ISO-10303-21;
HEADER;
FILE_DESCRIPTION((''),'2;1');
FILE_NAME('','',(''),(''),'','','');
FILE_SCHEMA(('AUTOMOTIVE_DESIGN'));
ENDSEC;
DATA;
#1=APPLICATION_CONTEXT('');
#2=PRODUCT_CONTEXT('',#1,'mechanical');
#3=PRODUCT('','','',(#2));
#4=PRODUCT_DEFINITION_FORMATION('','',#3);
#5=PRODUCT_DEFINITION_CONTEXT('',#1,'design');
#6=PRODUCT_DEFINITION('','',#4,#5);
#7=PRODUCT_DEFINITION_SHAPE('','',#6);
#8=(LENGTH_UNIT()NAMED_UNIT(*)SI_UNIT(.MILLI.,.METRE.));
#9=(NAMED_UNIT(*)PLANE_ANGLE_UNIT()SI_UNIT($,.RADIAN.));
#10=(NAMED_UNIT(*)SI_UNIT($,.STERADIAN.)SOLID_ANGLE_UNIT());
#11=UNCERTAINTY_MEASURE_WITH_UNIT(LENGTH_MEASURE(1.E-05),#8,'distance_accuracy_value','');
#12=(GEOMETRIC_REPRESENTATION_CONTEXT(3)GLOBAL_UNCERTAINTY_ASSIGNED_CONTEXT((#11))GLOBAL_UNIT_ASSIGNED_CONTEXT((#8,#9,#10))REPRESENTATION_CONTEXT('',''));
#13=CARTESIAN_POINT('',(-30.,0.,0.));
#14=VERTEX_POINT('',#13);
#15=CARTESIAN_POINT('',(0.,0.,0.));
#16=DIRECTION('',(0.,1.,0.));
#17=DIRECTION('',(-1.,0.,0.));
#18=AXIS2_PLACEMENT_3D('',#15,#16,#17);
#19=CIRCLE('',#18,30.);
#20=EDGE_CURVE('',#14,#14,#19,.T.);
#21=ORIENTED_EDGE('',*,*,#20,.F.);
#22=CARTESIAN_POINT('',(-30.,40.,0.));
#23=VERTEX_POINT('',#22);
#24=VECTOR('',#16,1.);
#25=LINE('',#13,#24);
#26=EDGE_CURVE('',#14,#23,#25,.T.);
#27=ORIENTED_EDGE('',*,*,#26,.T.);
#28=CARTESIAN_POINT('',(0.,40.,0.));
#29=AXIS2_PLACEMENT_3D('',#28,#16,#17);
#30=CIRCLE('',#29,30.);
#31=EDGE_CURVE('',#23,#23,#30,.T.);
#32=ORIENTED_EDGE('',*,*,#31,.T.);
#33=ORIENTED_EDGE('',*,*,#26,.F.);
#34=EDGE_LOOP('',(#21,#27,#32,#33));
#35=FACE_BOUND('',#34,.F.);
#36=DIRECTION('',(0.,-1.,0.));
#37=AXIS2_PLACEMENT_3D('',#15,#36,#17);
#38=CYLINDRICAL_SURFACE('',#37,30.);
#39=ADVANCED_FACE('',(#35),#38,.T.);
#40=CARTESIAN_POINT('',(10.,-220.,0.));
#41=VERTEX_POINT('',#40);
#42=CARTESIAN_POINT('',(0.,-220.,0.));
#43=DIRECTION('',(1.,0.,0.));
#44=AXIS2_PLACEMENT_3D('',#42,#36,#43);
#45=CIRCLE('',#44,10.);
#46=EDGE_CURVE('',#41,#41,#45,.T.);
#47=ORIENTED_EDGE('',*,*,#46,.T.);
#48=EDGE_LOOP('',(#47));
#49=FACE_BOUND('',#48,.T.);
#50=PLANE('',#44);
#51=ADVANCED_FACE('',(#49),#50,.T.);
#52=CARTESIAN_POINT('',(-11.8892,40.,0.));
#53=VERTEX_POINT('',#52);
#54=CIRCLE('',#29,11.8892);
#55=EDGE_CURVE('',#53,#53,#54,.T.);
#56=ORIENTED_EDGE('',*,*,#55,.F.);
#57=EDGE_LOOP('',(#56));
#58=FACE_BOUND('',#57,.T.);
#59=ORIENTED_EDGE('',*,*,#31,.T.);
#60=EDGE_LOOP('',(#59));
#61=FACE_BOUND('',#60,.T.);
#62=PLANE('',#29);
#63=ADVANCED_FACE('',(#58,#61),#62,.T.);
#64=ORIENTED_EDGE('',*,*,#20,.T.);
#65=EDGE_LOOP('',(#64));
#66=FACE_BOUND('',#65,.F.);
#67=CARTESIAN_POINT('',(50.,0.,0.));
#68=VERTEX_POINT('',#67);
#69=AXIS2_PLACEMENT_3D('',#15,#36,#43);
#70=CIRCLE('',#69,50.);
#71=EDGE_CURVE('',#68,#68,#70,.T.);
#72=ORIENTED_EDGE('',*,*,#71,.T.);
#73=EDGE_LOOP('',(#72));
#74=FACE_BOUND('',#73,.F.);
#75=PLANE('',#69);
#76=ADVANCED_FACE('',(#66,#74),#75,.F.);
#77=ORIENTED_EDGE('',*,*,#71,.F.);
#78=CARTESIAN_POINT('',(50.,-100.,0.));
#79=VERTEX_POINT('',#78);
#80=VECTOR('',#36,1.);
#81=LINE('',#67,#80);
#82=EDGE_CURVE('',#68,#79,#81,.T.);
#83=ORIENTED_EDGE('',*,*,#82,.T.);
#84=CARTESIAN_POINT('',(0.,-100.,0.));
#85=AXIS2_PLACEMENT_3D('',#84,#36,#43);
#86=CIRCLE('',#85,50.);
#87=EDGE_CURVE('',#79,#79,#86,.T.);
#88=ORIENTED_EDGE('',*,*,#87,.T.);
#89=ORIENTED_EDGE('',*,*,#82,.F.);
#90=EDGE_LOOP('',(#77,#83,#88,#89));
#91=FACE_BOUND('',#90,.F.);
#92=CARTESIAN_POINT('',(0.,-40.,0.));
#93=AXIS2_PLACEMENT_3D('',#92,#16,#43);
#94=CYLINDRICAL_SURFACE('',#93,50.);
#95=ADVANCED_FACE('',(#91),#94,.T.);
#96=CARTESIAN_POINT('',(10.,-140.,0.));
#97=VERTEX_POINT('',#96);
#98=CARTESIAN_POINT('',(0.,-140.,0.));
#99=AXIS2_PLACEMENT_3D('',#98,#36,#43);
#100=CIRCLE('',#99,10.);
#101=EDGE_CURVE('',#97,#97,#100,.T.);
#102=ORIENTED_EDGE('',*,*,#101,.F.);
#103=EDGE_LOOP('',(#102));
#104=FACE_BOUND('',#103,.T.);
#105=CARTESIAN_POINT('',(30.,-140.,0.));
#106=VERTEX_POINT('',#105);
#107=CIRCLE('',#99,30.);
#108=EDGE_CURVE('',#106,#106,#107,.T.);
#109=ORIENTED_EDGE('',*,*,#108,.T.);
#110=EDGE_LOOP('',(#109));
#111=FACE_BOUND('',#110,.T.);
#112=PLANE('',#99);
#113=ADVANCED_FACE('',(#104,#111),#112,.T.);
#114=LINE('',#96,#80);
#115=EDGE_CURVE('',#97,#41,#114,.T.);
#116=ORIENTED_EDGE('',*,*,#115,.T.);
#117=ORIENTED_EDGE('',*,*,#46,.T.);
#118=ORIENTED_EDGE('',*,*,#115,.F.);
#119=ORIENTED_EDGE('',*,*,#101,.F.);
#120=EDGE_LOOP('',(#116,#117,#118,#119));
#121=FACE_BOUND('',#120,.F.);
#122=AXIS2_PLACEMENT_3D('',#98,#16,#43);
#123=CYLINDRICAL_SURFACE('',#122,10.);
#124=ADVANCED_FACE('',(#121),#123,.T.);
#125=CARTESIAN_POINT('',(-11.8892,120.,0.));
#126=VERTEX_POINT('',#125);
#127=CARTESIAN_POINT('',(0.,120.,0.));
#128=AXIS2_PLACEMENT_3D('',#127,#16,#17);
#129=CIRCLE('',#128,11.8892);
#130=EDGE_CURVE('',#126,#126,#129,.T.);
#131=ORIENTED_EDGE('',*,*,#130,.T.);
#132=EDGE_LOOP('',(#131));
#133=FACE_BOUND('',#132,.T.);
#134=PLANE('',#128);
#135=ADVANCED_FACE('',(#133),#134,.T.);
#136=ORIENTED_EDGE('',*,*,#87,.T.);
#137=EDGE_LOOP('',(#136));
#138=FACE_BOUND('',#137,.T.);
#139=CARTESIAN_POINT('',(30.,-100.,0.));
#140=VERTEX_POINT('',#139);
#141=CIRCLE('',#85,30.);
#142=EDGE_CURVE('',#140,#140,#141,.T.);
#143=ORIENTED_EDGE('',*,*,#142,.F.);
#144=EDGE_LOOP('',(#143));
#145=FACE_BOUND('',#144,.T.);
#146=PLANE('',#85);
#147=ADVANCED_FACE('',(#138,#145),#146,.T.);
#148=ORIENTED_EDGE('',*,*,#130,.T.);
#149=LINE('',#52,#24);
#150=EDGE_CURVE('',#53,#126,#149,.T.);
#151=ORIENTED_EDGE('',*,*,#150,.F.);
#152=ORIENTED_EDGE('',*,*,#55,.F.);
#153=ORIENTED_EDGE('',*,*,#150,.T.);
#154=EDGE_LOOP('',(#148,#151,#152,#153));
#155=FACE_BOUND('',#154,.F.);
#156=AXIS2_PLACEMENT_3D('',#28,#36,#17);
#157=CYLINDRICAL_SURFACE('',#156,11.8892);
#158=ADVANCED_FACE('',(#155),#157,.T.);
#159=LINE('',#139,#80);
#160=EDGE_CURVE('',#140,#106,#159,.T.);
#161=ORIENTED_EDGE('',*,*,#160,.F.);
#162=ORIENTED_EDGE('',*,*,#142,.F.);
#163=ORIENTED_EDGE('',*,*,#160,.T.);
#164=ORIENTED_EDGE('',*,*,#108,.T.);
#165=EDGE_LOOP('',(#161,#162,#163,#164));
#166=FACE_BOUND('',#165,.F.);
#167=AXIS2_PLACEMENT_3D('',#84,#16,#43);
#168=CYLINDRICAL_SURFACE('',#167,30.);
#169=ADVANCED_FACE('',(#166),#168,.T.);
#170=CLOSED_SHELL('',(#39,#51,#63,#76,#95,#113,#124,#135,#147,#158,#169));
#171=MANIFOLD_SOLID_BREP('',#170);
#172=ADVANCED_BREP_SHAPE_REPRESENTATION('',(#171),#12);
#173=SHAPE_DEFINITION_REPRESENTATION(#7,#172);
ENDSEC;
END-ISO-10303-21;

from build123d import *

# Parameters (mm, degrees)
F0_R      = 50
F1_DEPTH  = 40
F1_FACE_R = 50
F2_DEPTH  = 60
F3_R      = 30
F4_DEPTH  = 40
F5_R      = 10
F6_DEPTH  = 80
F7_R      = 30
F8_DEPTH  = 40
F9_R      = 11.8892
F10_DEPTH = 80


with BuildPart() as f1:
    # F0 (on Front) → F1 (new body)
    with BuildSketch(Plane.XZ):
        Circle(F0_R)
    extrude(amount=F1_DEPTH)

    # F1_face (on face) → F2 (join)
    with BuildSketch(Plane.XZ.offset(40)):
        Circle(F1_FACE_R)
    extrude(amount=F2_DEPTH)

    # F3 (on face) → F4 (join)
    with BuildSketch(Plane.XZ.offset(100)):
        Circle(F3_R)
    extrude(amount=F4_DEPTH)

    # F5 (on face) → F6 (join)
    with BuildSketch(Plane.XZ.offset(140)):
        Circle(F5_R)
    extrude(amount=F6_DEPTH)

    # F7 (on face) → F8 (join)
    with BuildSketch(Plane(origin=(0, 0, 0), x_dir=(-1, 0, 0), z_dir=(0, 1, 0))):
        Circle(F7_R)
    extrude(amount=F8_DEPTH)

    # F9 (on face) → F10 (join)
    with BuildSketch(Plane(origin=(0, 40, 0), x_dir=(-1, 0, 0), z_dir=(0, 1, 0))):
        Circle(F9_R)
    extrude(amount=F10_DEPTH)


solid = f1.part
